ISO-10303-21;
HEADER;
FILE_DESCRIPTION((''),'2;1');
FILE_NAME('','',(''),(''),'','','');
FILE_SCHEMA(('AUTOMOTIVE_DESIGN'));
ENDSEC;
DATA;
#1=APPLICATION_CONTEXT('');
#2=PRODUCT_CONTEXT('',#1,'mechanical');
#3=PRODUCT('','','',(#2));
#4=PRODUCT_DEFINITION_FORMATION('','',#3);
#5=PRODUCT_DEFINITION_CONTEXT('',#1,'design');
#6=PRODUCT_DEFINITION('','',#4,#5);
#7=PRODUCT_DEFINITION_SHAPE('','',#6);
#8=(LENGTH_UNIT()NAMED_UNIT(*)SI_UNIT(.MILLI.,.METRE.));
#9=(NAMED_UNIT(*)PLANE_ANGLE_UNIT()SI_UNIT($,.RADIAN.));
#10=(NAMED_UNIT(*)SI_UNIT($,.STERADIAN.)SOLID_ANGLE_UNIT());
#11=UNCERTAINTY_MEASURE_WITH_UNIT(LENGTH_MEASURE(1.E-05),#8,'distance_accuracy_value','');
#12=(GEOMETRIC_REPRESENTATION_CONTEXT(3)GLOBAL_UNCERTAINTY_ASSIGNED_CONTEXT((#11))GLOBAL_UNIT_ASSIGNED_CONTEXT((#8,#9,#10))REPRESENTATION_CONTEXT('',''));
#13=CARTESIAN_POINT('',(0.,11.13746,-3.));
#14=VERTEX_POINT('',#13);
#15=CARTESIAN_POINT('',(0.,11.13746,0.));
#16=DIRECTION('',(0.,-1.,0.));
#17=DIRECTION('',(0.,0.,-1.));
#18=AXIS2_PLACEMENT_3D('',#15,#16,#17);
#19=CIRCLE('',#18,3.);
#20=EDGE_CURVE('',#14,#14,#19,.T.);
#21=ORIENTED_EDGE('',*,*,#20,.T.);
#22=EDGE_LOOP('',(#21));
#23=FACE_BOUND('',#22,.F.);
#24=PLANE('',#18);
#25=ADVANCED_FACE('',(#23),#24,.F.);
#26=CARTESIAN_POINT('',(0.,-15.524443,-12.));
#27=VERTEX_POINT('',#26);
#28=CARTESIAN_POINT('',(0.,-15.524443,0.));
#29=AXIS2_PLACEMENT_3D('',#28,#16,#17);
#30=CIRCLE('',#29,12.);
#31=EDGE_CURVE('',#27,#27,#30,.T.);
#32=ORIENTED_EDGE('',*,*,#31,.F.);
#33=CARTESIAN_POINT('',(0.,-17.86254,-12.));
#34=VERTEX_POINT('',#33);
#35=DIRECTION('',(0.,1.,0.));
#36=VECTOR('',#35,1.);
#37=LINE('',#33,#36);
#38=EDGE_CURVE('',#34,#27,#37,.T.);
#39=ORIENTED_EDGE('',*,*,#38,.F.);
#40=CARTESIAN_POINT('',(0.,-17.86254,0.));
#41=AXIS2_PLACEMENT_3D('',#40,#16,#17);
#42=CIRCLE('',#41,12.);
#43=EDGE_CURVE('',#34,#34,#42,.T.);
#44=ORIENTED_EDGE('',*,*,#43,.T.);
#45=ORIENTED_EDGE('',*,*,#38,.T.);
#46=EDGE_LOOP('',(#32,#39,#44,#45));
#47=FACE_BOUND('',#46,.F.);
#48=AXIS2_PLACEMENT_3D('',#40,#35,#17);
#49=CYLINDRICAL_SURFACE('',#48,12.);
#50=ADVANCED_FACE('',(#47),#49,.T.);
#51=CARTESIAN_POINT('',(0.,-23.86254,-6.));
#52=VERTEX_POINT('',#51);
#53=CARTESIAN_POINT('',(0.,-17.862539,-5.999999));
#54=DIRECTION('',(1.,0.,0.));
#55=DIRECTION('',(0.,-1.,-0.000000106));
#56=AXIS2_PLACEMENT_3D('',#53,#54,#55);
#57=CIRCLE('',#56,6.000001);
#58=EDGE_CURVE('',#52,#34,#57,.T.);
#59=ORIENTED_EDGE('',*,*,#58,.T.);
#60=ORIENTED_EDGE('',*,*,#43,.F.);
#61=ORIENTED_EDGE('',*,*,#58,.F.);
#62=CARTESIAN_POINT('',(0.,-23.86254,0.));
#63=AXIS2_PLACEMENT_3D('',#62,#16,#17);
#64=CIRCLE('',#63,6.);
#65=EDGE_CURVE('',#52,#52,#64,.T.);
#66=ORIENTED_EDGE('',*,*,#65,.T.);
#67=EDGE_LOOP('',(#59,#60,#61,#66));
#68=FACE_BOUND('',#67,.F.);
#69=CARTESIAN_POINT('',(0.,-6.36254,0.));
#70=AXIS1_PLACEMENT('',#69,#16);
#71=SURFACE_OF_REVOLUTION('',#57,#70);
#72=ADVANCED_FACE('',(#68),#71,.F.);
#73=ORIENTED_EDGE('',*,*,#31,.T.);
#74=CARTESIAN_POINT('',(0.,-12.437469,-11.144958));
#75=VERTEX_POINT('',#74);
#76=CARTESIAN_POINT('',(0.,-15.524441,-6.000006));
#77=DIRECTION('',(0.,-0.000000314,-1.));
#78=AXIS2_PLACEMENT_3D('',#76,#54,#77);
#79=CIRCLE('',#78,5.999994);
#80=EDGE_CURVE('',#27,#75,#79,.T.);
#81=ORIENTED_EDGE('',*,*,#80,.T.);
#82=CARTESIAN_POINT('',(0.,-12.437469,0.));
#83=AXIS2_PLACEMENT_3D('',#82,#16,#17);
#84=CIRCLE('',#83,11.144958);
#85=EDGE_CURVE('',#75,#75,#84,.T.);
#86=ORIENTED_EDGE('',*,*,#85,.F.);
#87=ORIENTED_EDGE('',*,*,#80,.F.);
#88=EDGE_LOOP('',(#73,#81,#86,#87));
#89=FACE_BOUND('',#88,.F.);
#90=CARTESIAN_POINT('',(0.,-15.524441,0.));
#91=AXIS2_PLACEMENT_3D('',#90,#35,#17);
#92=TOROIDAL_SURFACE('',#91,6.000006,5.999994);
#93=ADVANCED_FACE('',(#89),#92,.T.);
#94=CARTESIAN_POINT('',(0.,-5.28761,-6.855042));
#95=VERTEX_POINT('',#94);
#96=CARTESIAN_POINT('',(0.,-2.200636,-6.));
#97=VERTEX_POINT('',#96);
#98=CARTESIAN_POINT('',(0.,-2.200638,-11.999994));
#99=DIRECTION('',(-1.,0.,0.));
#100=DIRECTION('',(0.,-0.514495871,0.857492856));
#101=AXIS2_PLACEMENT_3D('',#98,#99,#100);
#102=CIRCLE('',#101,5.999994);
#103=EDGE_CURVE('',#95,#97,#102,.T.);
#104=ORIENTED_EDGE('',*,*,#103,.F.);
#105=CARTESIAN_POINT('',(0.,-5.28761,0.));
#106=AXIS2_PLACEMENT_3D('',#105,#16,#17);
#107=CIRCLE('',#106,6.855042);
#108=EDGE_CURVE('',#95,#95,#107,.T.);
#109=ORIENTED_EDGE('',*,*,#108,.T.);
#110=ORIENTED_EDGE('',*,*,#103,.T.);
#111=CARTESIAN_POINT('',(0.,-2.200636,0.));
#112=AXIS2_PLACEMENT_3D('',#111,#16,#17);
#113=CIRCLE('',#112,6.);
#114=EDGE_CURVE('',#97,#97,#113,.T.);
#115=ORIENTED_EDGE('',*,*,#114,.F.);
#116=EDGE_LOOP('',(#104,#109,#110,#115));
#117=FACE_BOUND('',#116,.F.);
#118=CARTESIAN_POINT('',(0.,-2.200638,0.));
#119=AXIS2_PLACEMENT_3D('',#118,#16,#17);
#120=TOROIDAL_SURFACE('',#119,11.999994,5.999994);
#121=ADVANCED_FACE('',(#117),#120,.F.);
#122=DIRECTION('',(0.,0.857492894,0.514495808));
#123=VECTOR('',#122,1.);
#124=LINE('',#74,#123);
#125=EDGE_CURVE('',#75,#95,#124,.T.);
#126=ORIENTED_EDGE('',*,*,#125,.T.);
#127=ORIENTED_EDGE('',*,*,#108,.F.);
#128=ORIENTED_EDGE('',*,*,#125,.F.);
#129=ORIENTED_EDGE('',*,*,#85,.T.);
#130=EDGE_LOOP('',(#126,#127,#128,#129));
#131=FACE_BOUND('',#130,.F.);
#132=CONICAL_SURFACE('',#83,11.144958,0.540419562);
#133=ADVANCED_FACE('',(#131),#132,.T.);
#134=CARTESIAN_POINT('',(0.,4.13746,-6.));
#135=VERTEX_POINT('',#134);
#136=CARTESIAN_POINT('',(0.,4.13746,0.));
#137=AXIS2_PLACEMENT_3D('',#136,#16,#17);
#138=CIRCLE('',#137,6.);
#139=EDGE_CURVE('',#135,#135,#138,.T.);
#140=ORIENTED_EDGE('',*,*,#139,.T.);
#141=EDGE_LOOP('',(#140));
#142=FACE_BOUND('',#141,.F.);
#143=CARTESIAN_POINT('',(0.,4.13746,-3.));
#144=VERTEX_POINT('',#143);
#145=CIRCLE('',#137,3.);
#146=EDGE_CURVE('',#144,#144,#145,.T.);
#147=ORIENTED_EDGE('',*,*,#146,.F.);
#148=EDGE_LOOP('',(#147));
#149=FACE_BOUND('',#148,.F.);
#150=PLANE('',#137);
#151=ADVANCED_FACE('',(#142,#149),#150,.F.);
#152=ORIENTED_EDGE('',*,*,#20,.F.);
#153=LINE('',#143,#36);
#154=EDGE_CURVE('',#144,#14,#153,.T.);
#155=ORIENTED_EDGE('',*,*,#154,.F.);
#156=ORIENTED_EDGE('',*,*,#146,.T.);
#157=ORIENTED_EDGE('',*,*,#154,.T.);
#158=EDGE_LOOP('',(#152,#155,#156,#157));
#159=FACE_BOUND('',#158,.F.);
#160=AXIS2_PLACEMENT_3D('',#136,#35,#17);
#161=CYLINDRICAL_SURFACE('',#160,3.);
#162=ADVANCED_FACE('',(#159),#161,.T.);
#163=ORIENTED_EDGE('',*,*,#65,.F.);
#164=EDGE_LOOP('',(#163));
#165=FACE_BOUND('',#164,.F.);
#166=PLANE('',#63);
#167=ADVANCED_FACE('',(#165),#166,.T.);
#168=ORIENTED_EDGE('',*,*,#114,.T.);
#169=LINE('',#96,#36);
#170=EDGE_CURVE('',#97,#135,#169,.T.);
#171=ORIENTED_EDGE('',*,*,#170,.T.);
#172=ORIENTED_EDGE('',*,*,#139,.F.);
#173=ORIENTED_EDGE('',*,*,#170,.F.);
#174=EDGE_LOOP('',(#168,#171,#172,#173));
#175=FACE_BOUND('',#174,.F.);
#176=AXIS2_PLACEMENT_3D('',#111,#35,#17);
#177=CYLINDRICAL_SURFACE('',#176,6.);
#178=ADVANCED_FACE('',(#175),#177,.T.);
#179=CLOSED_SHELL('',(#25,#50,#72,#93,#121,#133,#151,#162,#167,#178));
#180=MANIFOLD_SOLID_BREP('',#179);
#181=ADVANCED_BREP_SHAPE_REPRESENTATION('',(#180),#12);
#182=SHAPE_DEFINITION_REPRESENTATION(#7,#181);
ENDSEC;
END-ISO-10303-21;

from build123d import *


with BuildPart() as f1:
    # F0 (on Right) → F1 (revolve)
    with BuildSketch(Plane.YZ):
        with BuildLine():
            Line((11.13746, -3), (11.13746, 0))
            Line((11.13746, 0), (-23.86254, 0))
            Line((-23.86254, 0), (-23.86254, -6))
            ThreePointArc((-23.86254, -6), (-22.10518, -10.242641), (-17.86254, -12))
            Line((-17.86254, -12), (-15.524443, -12))
            ThreePointArc((-15.524443, -12), (-13.922842, -11.78229), (-12.437469, -11.144958))
            Line((-12.437469, -11.144958), (-5.28761, -6.855042))
            ThreePointArc((-5.28761, -6.855042), (-3.802237, -6.21771), (-2.200636, -6))
            Line((-2.200636, -6), (4.13746, -6))
            Line((4.13746, -6), (4.13746, -3))
            Line((4.13746, -3), (11.13746, -3))
        make_face()
    revolve(axis=Axis((0, -6.36254, 0), (0, -1, 0)))


solid = f1.part
